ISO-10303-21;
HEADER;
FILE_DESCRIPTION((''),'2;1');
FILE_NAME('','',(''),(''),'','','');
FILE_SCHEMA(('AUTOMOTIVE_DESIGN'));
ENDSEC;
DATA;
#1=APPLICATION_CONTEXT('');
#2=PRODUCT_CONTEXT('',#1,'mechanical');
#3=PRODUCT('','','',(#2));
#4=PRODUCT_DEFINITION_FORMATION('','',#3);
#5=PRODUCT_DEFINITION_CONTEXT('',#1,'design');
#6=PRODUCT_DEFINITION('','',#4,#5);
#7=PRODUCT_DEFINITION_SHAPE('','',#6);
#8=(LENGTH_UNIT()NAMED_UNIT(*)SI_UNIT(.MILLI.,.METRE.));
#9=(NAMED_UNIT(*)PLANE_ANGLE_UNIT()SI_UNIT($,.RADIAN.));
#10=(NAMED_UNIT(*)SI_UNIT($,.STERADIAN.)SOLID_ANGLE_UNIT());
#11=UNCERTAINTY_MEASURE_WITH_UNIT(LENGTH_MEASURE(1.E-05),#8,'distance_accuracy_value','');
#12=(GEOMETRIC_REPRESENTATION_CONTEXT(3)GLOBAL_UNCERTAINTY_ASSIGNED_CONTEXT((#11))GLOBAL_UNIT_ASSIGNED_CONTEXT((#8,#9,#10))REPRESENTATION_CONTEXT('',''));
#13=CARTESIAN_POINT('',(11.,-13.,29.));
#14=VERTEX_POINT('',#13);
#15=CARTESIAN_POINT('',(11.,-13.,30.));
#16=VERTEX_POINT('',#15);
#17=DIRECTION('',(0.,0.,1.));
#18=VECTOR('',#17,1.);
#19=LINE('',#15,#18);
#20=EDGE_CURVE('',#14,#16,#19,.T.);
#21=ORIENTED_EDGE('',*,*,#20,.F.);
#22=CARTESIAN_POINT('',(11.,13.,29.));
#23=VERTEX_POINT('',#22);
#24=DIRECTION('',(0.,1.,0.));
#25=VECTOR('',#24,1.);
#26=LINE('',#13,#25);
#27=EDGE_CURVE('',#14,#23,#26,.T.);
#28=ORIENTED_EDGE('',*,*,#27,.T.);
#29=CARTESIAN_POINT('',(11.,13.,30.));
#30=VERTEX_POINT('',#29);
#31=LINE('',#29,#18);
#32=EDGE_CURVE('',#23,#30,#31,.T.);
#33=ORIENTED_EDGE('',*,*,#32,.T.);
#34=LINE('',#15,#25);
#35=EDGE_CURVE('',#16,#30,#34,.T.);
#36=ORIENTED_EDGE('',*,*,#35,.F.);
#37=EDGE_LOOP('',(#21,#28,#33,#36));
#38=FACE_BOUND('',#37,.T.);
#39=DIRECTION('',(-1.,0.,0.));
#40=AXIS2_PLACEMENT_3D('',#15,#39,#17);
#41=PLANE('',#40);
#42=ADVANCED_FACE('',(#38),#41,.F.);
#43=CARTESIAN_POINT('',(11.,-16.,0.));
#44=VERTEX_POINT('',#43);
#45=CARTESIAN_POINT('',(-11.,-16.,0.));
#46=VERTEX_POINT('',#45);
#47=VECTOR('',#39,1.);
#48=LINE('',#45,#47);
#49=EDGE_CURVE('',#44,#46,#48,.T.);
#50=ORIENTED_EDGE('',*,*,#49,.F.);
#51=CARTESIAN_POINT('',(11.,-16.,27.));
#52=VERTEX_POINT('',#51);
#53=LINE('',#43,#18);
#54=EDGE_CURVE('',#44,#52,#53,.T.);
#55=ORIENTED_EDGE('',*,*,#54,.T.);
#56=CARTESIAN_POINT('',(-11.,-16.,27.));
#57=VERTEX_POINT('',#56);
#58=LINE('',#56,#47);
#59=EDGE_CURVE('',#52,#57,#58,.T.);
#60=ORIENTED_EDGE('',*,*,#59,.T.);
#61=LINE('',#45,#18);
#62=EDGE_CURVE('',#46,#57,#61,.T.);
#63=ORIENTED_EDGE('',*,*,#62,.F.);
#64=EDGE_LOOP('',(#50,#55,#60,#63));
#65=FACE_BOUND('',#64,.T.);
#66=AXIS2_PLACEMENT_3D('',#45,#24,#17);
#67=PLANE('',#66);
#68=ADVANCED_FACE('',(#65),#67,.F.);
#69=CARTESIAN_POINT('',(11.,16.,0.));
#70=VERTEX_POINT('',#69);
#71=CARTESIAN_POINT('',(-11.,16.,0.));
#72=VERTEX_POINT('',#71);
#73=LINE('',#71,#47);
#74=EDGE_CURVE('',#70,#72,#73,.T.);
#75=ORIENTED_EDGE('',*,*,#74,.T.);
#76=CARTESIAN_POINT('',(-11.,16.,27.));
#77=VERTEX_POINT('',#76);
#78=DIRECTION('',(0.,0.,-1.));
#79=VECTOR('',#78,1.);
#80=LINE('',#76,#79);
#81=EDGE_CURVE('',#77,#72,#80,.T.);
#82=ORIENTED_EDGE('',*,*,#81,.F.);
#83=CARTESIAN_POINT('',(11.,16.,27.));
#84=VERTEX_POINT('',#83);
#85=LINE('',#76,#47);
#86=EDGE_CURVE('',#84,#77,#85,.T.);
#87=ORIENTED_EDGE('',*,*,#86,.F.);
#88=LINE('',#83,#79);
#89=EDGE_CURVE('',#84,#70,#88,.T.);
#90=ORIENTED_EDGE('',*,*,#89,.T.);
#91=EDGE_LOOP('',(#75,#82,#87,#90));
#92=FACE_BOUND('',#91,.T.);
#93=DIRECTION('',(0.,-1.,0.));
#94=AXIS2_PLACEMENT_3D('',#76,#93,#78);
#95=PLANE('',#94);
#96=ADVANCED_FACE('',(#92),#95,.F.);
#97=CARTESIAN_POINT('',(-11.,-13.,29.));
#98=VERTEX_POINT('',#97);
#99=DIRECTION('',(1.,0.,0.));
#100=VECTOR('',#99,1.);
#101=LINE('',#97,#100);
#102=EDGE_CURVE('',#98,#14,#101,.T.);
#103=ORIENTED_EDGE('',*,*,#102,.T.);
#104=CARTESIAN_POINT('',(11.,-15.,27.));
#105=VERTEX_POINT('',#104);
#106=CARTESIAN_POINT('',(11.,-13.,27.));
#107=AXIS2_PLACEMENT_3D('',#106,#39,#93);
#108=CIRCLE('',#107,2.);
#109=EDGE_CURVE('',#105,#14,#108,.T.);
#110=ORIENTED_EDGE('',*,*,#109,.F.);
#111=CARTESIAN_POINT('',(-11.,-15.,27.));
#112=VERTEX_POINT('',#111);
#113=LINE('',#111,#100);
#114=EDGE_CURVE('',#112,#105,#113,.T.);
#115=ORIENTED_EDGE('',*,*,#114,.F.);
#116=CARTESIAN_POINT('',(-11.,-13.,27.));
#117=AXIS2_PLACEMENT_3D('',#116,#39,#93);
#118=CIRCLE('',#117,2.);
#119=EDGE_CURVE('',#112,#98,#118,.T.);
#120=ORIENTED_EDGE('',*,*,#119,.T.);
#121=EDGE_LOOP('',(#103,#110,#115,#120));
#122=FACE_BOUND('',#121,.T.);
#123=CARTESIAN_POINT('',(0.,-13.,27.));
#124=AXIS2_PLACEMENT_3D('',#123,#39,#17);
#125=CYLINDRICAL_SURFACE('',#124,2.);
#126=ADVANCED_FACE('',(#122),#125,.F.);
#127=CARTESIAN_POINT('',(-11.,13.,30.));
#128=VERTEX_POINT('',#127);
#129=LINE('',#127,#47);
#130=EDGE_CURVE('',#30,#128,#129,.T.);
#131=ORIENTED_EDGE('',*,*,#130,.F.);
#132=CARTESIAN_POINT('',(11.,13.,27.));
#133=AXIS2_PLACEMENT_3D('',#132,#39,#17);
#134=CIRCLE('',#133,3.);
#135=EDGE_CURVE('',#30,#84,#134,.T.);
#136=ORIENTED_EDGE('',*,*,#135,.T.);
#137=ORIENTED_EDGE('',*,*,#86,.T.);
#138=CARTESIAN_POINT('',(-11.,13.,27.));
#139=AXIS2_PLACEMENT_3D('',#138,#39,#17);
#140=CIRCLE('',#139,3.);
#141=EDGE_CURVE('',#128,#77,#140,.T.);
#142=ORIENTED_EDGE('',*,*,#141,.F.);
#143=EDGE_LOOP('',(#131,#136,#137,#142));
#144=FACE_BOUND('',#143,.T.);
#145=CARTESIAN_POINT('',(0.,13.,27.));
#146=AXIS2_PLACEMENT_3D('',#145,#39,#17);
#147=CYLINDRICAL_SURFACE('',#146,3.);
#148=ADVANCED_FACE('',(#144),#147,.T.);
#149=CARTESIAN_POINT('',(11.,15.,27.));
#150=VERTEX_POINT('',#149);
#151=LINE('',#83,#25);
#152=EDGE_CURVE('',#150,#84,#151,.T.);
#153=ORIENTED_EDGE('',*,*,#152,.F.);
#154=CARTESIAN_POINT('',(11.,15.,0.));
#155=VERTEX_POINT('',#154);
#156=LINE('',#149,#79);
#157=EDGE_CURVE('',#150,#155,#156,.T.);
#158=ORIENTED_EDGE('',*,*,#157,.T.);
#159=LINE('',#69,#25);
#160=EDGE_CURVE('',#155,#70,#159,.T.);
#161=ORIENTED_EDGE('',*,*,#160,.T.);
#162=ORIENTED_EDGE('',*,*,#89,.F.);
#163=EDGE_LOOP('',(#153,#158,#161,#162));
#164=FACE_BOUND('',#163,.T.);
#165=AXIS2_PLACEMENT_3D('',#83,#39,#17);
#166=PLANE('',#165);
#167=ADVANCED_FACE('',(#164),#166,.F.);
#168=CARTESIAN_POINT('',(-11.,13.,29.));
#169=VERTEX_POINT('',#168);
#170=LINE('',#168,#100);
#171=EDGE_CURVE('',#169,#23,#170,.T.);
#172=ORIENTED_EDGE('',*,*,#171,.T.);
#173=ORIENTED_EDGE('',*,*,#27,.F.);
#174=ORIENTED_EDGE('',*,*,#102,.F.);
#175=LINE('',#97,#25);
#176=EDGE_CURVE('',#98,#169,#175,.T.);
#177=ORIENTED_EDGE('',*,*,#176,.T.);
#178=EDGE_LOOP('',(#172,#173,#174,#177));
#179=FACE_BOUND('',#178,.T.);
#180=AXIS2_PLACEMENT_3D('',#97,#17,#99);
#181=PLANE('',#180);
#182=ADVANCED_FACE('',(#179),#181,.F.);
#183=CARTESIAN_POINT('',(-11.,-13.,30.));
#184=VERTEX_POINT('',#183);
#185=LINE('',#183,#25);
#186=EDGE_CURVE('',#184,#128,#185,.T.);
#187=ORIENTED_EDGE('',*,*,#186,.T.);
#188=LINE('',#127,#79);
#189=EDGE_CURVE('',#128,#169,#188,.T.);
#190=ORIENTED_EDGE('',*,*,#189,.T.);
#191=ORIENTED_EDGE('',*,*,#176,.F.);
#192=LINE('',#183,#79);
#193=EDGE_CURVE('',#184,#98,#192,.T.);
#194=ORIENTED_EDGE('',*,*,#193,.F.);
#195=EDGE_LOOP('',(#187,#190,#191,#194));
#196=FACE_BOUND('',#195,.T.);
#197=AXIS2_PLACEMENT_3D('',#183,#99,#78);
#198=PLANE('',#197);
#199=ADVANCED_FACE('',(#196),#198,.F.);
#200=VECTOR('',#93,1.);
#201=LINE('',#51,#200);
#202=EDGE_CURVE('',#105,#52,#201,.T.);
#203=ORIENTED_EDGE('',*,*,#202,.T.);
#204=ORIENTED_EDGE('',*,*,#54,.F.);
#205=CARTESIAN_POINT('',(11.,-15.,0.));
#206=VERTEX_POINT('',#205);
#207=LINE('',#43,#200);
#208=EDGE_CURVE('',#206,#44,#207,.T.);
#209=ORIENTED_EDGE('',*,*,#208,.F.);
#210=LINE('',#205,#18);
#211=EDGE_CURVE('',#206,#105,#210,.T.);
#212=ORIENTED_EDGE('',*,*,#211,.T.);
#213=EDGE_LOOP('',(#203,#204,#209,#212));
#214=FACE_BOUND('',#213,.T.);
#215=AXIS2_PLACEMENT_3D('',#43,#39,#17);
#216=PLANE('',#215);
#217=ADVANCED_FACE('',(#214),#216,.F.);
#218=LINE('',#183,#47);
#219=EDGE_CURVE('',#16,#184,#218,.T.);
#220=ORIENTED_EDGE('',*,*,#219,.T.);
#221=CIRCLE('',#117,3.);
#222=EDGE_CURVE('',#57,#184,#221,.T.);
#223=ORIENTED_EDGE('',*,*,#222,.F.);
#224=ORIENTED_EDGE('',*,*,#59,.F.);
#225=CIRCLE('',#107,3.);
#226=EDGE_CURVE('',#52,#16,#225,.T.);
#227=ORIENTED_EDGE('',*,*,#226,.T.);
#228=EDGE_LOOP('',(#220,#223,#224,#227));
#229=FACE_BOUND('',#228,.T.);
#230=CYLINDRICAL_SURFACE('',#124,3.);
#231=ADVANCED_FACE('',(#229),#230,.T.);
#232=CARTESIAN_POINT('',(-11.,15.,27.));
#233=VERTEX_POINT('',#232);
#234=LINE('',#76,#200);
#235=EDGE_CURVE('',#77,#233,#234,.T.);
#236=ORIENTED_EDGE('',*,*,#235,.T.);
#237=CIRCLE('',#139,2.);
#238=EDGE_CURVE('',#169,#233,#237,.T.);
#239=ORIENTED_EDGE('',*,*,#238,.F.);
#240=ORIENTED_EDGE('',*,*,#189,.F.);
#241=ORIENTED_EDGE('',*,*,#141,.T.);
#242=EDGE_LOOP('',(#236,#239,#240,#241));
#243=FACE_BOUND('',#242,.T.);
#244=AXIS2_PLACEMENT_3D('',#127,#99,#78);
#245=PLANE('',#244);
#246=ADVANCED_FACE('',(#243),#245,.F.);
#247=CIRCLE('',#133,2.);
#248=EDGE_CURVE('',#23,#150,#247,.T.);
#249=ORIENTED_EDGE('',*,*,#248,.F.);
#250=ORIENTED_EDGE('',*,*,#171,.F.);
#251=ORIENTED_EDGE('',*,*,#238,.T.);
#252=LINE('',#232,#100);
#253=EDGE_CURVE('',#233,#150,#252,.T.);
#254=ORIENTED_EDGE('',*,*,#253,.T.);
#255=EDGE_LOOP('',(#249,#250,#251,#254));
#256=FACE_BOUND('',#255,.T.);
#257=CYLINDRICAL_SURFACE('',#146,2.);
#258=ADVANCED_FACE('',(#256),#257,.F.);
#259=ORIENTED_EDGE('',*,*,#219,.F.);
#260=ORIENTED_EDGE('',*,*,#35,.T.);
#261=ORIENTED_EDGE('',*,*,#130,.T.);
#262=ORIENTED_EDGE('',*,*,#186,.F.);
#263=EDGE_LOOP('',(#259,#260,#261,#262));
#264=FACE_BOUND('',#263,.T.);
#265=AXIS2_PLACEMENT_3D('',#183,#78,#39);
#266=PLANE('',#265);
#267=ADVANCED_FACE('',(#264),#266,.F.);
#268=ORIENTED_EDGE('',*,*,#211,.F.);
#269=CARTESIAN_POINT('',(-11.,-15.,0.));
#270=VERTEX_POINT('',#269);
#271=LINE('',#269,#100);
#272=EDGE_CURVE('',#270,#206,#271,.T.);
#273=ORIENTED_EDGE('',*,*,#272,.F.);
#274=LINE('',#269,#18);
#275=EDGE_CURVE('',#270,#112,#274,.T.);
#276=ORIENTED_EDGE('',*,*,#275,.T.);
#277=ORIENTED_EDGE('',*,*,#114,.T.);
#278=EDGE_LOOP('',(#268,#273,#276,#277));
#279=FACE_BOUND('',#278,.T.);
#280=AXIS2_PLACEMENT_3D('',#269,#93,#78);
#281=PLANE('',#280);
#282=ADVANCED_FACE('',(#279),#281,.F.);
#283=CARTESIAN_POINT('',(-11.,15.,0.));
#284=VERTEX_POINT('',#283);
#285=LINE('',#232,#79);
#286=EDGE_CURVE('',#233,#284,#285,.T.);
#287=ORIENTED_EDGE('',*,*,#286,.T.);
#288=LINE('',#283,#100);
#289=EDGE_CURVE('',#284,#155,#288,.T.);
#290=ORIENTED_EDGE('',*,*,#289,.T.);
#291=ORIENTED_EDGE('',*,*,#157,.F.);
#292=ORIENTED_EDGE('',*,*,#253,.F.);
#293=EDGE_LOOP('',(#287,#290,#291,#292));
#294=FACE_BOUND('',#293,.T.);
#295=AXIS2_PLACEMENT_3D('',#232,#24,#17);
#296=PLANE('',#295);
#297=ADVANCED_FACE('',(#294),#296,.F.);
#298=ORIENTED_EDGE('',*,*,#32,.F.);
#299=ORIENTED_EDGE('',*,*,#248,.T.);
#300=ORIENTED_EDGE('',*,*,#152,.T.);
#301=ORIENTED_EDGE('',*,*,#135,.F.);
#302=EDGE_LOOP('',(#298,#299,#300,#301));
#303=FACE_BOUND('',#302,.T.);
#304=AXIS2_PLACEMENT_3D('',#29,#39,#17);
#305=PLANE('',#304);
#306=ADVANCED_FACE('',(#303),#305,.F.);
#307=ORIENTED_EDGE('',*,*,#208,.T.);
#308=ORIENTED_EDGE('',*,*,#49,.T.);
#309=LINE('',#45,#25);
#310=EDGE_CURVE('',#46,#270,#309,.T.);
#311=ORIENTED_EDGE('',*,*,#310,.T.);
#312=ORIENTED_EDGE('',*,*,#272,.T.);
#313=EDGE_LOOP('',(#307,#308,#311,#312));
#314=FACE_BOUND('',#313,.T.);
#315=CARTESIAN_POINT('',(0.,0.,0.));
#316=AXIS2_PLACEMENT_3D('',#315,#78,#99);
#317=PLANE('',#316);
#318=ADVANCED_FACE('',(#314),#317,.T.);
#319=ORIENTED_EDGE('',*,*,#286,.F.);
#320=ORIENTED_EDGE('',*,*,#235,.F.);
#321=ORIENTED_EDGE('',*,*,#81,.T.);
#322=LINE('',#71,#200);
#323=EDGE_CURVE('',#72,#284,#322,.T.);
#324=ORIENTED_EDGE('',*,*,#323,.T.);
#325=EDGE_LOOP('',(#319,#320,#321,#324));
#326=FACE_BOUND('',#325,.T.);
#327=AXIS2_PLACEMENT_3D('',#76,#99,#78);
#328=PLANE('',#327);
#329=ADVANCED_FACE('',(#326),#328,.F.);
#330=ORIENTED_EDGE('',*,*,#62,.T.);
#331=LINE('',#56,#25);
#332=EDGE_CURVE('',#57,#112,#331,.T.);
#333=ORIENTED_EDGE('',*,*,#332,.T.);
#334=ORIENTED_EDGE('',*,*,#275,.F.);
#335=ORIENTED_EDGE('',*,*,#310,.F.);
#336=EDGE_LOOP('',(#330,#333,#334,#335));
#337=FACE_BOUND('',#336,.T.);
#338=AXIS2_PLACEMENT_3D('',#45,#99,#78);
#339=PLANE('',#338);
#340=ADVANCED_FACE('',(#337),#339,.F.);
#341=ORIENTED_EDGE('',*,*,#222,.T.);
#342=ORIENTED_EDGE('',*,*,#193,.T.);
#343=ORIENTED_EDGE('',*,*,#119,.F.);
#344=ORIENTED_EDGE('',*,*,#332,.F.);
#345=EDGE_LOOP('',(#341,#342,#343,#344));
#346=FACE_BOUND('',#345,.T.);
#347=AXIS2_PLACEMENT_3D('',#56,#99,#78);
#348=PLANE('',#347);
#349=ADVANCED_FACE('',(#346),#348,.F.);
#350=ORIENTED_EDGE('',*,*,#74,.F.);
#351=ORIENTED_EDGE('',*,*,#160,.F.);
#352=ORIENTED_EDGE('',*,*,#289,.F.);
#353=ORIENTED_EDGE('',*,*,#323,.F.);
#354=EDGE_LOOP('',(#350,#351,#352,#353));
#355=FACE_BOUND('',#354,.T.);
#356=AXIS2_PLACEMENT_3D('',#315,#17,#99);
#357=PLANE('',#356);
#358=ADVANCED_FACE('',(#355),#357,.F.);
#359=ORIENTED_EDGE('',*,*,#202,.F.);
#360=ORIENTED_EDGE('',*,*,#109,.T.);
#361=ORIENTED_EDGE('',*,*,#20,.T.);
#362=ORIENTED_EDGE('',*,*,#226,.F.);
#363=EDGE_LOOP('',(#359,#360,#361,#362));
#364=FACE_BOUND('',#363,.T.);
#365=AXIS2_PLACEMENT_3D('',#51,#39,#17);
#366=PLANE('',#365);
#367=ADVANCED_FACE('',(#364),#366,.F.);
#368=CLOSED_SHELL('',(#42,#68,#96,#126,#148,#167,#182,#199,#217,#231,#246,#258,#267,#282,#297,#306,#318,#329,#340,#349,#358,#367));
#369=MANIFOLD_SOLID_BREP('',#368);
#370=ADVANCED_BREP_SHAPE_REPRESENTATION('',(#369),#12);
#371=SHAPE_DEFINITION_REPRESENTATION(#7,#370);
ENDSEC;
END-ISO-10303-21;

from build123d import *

# Parameters (mm, degrees)
SKETCH1_W = 22
SKETCH1_H = 1


with BuildPart() as part:
    # Sweep1: sweep along a path in Sketch2
    with BuildLine(Plane(origin=(0, 0, 0), x_dir=(0, 0, -1), z_dir=(1, 0, 0))) as sweep1_path:
        Line((0, 15.5), (-27, 15.5))
        ThreePointArc((-27, 15.5), (-28.767766953, 14.767766953), (-29.5, 13))
        Line((-29.5, 13), (-29.5, -13))
        ThreePointArc((-29.5, -13), (-28.767766953, -14.767766953), (-27, -15.5))
        Line((-27, -15.5), (0, -15.5))
    # Sketch1 → Sweep1 (sweep)
    with BuildSketch(Plane.XY):
        with Locations((0, 15.5)):
            Rectangle(SKETCH1_W, SKETCH1_H)
    sweep(path=sweep1_path.line)


solid = part.part
